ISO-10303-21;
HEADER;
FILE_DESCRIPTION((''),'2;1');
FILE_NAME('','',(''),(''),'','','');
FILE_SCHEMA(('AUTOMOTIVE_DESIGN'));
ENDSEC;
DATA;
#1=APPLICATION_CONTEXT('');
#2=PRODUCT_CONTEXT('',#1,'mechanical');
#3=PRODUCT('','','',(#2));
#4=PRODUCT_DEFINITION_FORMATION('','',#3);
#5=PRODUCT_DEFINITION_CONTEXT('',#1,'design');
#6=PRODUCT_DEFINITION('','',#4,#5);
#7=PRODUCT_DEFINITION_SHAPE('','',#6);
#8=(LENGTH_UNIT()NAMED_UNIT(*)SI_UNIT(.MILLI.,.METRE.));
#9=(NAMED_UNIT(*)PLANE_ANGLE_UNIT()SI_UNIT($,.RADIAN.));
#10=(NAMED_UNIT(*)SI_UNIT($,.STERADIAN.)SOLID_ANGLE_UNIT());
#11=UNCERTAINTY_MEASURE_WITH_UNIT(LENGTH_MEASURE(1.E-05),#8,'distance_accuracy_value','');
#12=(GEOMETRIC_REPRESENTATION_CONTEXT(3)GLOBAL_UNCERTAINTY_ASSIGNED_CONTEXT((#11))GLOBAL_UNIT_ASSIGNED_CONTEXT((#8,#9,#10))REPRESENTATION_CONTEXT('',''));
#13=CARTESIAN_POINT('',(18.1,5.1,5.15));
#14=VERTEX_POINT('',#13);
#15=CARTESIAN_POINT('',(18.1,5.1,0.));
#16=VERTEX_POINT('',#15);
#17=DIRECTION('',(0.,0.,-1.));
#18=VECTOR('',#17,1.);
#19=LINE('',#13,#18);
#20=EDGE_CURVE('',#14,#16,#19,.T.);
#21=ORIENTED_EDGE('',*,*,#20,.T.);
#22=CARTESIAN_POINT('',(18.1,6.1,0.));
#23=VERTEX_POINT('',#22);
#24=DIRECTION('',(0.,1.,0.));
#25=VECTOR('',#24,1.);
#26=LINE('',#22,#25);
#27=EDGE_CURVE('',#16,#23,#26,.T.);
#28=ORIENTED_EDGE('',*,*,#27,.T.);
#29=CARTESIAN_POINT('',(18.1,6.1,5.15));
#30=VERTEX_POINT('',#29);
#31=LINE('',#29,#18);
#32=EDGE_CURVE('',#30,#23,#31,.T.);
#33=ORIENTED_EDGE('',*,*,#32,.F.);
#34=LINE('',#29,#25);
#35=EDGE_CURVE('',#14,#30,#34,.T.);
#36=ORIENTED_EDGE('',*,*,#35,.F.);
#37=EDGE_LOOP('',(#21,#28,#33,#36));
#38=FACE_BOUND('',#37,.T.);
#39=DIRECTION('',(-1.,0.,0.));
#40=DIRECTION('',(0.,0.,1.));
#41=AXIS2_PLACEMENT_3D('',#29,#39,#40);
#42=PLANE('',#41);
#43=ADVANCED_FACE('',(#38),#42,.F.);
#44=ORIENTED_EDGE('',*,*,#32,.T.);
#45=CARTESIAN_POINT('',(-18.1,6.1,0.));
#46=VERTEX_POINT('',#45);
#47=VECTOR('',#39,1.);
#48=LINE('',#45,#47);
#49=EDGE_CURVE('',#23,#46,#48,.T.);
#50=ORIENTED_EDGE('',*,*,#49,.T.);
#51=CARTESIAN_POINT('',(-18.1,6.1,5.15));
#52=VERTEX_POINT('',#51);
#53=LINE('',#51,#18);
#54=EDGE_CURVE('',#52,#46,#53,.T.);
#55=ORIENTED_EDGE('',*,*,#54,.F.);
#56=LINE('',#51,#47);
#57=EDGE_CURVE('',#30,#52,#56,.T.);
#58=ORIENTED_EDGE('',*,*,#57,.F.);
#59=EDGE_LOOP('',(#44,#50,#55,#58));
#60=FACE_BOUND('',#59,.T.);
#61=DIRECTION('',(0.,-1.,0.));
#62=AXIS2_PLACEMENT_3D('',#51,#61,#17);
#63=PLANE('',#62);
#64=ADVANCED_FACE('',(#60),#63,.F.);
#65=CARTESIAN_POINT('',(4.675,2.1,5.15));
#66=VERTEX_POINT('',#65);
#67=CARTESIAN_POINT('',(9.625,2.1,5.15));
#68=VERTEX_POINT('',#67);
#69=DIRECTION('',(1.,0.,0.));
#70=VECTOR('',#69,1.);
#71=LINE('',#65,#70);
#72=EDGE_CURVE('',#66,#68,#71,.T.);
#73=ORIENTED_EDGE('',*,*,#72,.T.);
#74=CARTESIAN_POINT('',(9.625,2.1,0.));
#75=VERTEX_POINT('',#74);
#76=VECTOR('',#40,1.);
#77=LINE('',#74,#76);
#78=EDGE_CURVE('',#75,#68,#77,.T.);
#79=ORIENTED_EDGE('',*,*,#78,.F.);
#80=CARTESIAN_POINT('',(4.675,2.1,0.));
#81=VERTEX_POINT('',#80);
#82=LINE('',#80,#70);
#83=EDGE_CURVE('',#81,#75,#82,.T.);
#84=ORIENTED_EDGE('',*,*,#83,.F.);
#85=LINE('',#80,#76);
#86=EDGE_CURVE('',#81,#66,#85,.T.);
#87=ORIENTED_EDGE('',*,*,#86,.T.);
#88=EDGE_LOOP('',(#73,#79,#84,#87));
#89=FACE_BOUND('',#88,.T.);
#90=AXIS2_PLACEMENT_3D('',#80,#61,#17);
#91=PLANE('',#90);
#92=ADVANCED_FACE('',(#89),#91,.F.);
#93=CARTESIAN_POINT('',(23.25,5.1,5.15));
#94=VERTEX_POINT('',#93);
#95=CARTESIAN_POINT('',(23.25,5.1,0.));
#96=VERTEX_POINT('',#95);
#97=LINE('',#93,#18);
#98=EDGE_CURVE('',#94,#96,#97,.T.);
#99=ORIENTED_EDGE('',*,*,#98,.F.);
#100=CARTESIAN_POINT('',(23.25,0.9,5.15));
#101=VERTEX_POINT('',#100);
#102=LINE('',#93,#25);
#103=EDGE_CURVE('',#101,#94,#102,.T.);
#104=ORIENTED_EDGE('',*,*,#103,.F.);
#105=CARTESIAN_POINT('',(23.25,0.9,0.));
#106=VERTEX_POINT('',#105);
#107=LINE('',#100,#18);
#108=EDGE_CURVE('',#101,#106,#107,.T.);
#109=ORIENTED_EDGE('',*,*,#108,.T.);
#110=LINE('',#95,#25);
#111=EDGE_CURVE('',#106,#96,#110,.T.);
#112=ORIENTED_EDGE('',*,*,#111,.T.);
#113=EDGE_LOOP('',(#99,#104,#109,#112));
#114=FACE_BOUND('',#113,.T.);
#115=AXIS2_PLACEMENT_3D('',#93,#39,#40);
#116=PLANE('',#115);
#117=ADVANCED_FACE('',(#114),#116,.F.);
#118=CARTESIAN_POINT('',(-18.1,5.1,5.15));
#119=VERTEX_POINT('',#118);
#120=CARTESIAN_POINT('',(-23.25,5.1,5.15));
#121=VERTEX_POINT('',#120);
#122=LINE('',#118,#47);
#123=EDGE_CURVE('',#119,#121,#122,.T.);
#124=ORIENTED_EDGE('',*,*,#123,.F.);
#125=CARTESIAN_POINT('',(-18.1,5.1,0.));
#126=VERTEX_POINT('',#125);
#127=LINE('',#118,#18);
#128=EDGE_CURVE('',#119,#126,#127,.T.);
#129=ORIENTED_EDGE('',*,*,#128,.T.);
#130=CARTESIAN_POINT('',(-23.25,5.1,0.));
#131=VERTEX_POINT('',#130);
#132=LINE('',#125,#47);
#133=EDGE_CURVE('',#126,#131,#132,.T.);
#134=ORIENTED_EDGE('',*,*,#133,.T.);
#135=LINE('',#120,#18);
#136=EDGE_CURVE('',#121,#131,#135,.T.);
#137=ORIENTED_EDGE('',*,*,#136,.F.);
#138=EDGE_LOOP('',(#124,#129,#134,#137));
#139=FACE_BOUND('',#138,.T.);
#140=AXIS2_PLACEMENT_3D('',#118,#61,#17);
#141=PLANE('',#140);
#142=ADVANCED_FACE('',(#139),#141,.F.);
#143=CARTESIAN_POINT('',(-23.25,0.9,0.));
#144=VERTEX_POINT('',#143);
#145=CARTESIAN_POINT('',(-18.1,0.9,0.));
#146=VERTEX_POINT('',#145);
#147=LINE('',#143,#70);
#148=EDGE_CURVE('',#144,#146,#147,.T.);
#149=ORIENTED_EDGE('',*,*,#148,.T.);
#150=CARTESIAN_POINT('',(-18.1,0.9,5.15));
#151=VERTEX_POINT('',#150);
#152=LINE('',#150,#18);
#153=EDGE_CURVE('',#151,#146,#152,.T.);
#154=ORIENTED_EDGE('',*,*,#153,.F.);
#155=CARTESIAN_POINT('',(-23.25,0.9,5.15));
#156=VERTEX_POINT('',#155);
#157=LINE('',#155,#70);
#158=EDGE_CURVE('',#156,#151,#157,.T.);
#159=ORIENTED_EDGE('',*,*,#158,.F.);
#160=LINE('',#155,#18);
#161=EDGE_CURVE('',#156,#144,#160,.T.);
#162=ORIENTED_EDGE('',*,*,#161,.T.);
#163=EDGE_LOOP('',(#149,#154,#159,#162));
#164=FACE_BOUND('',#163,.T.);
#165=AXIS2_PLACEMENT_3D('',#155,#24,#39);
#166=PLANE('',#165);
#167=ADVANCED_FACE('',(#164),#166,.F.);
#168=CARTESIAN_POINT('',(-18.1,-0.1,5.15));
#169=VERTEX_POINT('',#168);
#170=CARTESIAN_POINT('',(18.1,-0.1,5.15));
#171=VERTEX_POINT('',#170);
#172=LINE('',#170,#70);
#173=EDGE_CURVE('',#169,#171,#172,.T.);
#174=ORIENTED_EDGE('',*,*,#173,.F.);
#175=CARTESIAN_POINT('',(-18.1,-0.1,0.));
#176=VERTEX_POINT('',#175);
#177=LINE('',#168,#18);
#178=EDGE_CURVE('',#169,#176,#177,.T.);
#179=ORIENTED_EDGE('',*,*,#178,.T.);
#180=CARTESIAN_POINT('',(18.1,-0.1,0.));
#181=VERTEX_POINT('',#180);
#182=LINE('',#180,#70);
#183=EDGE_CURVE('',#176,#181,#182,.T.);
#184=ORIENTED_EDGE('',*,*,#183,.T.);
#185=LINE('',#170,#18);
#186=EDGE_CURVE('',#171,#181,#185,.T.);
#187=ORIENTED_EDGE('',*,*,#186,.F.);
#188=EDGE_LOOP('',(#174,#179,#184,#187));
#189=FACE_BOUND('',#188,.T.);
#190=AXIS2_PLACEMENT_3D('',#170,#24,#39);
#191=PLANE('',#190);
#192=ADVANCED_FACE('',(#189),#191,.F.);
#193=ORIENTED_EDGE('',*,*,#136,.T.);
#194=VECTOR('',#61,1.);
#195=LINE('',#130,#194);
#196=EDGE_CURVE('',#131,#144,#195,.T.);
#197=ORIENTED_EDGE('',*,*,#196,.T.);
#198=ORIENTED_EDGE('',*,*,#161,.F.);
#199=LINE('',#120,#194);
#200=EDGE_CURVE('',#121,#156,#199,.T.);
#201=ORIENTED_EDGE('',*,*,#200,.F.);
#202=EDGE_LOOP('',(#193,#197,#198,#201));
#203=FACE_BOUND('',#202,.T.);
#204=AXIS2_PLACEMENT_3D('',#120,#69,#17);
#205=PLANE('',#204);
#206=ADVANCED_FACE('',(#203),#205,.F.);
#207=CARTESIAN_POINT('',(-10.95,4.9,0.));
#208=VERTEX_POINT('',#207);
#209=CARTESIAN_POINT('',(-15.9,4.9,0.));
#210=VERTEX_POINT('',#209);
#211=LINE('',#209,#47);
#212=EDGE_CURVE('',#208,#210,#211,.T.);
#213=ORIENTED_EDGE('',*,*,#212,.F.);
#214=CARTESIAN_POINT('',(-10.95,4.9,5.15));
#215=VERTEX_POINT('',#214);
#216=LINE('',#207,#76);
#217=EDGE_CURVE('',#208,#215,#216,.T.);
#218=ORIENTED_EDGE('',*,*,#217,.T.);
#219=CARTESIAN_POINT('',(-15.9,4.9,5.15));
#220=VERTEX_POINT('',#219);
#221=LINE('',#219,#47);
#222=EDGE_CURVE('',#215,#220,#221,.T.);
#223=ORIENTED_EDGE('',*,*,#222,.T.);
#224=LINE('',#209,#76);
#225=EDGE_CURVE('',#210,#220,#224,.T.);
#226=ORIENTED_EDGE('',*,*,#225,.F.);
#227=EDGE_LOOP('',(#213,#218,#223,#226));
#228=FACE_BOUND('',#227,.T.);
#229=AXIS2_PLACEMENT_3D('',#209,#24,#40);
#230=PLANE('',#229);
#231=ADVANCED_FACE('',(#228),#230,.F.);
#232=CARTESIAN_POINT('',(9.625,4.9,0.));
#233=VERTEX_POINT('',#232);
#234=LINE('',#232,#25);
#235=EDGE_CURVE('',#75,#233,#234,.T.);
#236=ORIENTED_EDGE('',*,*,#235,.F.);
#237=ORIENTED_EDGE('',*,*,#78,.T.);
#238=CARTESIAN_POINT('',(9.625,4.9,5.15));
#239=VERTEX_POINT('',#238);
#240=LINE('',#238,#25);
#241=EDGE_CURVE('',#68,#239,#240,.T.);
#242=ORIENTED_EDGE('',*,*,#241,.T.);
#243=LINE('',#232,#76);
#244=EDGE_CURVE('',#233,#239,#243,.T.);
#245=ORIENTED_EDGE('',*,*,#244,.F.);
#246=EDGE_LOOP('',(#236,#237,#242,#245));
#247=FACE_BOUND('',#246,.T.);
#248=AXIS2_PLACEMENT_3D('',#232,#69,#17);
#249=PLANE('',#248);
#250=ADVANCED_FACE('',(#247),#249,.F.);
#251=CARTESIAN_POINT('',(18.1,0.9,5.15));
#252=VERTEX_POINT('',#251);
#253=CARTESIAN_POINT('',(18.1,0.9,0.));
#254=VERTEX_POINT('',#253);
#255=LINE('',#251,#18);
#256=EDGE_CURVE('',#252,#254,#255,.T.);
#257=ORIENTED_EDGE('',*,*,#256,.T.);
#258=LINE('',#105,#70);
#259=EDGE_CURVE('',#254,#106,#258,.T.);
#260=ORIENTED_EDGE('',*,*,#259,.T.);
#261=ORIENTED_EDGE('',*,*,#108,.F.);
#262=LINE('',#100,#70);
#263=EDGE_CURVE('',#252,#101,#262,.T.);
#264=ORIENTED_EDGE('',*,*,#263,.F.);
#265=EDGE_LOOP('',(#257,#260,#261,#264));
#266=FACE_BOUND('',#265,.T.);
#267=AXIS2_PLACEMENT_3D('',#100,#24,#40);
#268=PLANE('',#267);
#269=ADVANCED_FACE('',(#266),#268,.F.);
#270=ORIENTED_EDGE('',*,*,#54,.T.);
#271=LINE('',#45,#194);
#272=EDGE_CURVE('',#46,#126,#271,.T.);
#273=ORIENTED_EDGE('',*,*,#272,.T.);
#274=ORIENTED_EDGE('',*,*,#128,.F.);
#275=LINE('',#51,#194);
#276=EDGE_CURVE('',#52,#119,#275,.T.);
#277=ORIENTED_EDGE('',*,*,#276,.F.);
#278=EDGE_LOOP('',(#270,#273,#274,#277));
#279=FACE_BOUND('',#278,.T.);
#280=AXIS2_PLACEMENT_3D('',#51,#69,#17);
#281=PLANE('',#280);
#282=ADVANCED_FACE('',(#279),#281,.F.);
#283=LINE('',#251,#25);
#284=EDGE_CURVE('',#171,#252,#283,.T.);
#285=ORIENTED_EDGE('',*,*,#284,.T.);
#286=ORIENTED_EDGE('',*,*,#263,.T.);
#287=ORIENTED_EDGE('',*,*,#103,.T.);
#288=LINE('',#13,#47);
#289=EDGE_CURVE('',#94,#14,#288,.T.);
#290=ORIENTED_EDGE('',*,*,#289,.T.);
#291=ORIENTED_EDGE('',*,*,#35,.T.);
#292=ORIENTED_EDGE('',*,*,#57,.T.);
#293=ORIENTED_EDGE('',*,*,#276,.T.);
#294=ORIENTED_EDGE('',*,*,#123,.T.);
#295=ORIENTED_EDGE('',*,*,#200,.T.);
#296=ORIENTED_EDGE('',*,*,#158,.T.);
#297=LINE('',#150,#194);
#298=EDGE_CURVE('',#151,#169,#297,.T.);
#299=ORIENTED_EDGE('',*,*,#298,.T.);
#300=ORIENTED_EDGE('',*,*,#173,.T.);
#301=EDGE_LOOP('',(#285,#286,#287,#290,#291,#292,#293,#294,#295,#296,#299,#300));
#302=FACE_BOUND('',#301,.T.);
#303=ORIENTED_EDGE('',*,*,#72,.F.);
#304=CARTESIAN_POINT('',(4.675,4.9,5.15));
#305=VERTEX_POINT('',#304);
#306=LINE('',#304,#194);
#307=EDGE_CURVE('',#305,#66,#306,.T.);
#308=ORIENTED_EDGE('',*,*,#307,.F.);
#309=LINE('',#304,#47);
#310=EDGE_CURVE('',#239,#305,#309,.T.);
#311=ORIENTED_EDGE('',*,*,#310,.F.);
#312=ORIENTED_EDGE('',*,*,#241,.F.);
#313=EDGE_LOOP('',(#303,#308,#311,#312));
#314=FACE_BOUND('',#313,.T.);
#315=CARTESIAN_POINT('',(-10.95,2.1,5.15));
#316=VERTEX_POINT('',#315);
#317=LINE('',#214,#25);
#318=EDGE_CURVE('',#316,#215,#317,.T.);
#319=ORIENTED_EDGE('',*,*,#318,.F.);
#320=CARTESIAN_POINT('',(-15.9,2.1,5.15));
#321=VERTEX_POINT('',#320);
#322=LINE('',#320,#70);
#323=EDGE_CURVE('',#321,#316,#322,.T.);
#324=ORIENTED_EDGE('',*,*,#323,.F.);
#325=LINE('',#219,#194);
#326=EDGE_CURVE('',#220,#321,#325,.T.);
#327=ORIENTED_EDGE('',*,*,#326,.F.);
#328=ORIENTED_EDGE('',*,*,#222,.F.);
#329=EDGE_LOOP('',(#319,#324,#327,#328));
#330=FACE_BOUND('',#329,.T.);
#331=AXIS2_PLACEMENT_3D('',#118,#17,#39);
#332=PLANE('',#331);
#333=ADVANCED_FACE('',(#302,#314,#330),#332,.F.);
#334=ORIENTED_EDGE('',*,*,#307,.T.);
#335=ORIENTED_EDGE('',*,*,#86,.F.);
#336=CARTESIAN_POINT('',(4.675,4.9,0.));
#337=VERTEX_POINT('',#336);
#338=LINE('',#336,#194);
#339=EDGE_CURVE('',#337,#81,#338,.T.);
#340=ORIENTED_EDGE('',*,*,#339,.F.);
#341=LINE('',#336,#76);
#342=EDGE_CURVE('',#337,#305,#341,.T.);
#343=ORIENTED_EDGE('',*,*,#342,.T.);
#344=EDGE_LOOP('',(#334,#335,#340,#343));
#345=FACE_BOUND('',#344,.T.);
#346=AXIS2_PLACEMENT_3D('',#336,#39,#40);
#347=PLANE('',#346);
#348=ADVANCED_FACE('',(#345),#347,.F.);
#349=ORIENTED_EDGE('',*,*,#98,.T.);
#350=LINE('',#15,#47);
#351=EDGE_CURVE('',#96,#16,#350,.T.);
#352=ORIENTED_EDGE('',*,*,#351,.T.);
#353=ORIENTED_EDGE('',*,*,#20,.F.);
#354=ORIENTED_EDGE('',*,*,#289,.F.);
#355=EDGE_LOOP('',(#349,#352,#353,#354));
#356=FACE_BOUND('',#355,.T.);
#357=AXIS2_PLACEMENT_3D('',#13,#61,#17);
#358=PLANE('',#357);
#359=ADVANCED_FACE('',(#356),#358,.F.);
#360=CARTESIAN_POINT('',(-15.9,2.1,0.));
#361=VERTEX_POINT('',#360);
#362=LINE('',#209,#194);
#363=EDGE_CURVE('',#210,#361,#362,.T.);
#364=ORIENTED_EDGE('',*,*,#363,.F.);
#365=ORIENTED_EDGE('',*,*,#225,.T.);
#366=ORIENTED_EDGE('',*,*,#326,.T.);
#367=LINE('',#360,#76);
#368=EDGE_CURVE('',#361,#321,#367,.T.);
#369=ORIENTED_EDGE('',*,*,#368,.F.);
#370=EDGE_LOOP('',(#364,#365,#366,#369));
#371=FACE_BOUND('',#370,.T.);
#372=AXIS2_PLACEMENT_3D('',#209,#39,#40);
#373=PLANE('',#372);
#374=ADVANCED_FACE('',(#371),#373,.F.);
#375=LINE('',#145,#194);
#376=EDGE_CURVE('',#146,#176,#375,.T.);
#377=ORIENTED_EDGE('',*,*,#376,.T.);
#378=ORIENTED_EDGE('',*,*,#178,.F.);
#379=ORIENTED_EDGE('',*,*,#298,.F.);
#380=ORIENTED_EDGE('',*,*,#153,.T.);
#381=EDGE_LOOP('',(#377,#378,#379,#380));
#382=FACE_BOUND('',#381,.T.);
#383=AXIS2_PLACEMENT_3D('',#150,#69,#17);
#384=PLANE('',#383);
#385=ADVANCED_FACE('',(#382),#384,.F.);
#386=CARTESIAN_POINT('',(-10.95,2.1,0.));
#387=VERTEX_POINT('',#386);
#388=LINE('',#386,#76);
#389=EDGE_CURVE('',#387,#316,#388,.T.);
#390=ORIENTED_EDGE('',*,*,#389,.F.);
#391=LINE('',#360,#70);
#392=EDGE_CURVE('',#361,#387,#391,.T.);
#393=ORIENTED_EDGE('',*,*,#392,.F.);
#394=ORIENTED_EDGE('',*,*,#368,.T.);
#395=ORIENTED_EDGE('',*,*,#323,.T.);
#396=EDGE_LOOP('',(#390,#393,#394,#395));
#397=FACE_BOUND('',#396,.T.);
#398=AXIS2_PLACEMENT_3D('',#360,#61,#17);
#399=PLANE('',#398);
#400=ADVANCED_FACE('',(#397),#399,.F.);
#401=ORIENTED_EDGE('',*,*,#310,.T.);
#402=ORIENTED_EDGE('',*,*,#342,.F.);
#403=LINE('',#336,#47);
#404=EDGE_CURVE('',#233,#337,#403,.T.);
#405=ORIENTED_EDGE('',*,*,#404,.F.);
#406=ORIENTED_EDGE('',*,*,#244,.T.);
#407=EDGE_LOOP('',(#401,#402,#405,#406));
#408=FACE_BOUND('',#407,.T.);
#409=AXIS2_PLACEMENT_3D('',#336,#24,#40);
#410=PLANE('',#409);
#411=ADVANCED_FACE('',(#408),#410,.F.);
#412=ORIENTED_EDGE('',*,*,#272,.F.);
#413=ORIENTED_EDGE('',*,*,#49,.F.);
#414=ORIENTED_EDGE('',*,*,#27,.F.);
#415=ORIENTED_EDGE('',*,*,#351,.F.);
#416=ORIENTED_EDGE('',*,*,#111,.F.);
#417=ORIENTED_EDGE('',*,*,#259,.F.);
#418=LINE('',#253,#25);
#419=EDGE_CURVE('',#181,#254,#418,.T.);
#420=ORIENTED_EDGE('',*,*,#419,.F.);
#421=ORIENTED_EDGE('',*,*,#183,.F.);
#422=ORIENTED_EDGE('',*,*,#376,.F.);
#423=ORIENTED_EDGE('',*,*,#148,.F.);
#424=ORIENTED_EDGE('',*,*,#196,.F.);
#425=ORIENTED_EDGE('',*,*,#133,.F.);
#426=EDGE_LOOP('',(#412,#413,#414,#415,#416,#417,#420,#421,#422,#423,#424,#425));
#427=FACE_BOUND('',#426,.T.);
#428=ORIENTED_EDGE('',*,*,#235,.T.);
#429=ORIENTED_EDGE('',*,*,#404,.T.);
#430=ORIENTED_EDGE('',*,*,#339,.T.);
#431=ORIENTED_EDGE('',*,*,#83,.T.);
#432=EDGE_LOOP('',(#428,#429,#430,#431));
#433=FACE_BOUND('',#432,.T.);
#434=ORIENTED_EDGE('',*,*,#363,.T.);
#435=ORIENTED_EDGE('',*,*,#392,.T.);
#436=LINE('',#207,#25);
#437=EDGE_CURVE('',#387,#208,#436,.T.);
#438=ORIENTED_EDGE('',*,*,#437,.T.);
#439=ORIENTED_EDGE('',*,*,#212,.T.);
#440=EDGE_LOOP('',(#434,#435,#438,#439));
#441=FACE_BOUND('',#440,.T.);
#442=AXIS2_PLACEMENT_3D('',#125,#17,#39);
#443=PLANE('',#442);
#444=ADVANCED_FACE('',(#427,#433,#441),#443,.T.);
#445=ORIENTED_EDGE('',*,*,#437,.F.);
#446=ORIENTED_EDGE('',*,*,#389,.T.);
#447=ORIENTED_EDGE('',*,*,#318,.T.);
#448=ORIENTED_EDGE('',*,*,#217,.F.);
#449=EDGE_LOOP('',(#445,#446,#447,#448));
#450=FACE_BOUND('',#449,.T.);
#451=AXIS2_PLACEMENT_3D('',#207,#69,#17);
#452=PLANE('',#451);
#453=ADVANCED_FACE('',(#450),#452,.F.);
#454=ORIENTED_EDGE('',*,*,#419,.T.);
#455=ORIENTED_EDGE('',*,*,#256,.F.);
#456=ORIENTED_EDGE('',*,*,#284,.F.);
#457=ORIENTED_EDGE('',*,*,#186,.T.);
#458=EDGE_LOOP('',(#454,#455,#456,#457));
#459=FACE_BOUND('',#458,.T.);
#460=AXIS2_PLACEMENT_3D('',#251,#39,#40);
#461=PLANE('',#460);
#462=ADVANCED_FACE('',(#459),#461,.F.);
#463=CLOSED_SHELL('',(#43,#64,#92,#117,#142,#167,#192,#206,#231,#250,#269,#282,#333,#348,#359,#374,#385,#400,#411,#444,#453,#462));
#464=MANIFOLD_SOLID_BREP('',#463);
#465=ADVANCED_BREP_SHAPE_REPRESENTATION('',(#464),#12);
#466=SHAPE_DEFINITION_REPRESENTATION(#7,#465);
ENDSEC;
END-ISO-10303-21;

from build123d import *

# Parameters (mm, degrees)
BOSS_EXTRUDE1_DEPTH = 5.15
SKETCH3_W           = 4.95
SKETCH3_H           = 2.8
CUT_EXTRUDE1_DEPTH  = 6.15


with BuildPart() as part:
    # Sketch1 → Boss-Extrude1 (new body)
    with BuildSketch(Plane.XY):
        Polygon((-18.1, 6.1), (18.1, 6.1), (18.1, 5.1), (23.25, 5.1), (23.25, 0.9), (18.1, 0.9), (18.1, -0.1), (-18.1, -0.1), (-18.1, 0.9), (-23.25, 0.9), (-23.25, 5.1), (-18.1, 5.1), align=None)
    extrude(amount=BOSS_EXTRUDE1_DEPTH)

    # Sketch3 → Cut-Extrude1 (cut, through all)
    with BuildSketch(Plane.XY.offset(5.15)):
        with Locations((7.15, 3.5)):
            Rectangle(SKETCH3_W, SKETCH3_H)
        with Locations((-13.425, 3.5)):
            Rectangle(SKETCH3_W, SKETCH3_H)
    extrude(amount=-CUT_EXTRUDE1_DEPTH, mode=Mode.SUBTRACT)


solid = part.part
